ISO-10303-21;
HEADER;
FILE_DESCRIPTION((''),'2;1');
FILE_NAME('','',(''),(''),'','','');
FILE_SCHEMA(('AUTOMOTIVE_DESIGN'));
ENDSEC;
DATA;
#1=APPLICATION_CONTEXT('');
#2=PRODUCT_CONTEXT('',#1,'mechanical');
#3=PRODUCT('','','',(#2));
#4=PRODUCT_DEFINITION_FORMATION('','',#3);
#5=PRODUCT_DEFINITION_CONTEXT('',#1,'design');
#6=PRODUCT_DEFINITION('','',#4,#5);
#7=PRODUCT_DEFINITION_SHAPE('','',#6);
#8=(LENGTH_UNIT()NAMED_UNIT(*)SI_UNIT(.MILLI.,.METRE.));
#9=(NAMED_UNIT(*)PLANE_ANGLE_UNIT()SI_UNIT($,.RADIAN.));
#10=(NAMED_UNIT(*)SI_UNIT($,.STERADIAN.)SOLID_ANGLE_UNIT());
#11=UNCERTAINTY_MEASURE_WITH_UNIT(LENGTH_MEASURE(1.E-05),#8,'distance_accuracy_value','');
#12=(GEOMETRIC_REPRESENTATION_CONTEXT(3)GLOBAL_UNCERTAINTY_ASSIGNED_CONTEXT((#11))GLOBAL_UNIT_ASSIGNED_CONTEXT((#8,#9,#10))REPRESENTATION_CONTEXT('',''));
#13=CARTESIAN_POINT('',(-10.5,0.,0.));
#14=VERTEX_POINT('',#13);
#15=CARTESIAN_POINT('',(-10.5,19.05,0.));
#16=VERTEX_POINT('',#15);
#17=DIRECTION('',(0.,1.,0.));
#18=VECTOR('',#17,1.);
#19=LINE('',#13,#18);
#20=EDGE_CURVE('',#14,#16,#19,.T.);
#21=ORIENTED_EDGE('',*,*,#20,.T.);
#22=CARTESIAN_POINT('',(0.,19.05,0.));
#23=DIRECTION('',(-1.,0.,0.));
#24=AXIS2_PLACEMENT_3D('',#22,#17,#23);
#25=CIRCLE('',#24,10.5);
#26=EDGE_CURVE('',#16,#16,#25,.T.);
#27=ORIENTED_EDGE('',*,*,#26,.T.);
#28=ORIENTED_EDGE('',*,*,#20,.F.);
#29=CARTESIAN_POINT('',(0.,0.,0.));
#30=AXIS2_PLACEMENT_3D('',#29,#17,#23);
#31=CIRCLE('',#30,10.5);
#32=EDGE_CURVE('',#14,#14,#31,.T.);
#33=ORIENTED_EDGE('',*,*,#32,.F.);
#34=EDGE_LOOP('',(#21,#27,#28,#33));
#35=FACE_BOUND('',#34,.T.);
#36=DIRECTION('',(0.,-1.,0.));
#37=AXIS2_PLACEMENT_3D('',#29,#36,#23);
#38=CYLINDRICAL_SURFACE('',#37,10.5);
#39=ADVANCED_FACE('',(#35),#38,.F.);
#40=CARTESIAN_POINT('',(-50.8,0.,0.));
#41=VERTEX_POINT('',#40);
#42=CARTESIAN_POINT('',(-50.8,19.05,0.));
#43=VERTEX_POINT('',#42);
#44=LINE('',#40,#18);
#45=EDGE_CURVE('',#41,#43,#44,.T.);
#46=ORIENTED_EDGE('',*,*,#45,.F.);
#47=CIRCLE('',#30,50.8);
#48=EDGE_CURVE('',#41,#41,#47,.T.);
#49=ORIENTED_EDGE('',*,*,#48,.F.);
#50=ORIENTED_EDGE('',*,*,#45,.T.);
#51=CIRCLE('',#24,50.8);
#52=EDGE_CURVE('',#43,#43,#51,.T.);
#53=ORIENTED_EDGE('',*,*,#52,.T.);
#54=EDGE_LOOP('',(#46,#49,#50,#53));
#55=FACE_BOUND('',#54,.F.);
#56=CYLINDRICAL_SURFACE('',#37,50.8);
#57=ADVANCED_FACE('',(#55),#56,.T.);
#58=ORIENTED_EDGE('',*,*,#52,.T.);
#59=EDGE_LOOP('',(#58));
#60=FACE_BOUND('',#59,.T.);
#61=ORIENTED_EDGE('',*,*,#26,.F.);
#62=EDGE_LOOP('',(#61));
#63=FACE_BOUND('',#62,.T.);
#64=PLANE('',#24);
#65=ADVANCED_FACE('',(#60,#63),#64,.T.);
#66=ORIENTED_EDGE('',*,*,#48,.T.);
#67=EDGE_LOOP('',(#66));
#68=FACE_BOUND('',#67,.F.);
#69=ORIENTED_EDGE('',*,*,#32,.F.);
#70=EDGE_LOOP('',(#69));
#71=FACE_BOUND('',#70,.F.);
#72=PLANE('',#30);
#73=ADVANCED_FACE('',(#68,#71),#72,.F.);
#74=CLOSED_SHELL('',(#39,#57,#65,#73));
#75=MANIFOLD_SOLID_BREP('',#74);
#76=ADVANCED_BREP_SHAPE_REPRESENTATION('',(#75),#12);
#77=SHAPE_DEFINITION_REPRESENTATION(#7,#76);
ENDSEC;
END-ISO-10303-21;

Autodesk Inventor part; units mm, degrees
ref_plane "YZ Plane" through (0, 0, 0) normal (1, 0, 0) x (0, 1, 0)
ref_plane "XZ Plane" through (0, 0, 0) normal (0, 1, 0) x (-1, 0, 0)
ref_plane "XY Plane" through (0, 0, 0) normal (0, 0, 1) x (1, 0, 0)
sketch "Sketch1" plane through (0, 0, 0) normal (0, 1, 0) x (-1, 0, 0)
  circle A0 centre (0, 0) radius 10.5
  circle A1 centre (0, 0) radius 50.8
  dimension "d0" = 21
  dimension "d1" = 101.6
extrude "Extrusion1" add sketch "Sketch1" along normal blind 19.05
properties part number "Spacer_0_75_in"
